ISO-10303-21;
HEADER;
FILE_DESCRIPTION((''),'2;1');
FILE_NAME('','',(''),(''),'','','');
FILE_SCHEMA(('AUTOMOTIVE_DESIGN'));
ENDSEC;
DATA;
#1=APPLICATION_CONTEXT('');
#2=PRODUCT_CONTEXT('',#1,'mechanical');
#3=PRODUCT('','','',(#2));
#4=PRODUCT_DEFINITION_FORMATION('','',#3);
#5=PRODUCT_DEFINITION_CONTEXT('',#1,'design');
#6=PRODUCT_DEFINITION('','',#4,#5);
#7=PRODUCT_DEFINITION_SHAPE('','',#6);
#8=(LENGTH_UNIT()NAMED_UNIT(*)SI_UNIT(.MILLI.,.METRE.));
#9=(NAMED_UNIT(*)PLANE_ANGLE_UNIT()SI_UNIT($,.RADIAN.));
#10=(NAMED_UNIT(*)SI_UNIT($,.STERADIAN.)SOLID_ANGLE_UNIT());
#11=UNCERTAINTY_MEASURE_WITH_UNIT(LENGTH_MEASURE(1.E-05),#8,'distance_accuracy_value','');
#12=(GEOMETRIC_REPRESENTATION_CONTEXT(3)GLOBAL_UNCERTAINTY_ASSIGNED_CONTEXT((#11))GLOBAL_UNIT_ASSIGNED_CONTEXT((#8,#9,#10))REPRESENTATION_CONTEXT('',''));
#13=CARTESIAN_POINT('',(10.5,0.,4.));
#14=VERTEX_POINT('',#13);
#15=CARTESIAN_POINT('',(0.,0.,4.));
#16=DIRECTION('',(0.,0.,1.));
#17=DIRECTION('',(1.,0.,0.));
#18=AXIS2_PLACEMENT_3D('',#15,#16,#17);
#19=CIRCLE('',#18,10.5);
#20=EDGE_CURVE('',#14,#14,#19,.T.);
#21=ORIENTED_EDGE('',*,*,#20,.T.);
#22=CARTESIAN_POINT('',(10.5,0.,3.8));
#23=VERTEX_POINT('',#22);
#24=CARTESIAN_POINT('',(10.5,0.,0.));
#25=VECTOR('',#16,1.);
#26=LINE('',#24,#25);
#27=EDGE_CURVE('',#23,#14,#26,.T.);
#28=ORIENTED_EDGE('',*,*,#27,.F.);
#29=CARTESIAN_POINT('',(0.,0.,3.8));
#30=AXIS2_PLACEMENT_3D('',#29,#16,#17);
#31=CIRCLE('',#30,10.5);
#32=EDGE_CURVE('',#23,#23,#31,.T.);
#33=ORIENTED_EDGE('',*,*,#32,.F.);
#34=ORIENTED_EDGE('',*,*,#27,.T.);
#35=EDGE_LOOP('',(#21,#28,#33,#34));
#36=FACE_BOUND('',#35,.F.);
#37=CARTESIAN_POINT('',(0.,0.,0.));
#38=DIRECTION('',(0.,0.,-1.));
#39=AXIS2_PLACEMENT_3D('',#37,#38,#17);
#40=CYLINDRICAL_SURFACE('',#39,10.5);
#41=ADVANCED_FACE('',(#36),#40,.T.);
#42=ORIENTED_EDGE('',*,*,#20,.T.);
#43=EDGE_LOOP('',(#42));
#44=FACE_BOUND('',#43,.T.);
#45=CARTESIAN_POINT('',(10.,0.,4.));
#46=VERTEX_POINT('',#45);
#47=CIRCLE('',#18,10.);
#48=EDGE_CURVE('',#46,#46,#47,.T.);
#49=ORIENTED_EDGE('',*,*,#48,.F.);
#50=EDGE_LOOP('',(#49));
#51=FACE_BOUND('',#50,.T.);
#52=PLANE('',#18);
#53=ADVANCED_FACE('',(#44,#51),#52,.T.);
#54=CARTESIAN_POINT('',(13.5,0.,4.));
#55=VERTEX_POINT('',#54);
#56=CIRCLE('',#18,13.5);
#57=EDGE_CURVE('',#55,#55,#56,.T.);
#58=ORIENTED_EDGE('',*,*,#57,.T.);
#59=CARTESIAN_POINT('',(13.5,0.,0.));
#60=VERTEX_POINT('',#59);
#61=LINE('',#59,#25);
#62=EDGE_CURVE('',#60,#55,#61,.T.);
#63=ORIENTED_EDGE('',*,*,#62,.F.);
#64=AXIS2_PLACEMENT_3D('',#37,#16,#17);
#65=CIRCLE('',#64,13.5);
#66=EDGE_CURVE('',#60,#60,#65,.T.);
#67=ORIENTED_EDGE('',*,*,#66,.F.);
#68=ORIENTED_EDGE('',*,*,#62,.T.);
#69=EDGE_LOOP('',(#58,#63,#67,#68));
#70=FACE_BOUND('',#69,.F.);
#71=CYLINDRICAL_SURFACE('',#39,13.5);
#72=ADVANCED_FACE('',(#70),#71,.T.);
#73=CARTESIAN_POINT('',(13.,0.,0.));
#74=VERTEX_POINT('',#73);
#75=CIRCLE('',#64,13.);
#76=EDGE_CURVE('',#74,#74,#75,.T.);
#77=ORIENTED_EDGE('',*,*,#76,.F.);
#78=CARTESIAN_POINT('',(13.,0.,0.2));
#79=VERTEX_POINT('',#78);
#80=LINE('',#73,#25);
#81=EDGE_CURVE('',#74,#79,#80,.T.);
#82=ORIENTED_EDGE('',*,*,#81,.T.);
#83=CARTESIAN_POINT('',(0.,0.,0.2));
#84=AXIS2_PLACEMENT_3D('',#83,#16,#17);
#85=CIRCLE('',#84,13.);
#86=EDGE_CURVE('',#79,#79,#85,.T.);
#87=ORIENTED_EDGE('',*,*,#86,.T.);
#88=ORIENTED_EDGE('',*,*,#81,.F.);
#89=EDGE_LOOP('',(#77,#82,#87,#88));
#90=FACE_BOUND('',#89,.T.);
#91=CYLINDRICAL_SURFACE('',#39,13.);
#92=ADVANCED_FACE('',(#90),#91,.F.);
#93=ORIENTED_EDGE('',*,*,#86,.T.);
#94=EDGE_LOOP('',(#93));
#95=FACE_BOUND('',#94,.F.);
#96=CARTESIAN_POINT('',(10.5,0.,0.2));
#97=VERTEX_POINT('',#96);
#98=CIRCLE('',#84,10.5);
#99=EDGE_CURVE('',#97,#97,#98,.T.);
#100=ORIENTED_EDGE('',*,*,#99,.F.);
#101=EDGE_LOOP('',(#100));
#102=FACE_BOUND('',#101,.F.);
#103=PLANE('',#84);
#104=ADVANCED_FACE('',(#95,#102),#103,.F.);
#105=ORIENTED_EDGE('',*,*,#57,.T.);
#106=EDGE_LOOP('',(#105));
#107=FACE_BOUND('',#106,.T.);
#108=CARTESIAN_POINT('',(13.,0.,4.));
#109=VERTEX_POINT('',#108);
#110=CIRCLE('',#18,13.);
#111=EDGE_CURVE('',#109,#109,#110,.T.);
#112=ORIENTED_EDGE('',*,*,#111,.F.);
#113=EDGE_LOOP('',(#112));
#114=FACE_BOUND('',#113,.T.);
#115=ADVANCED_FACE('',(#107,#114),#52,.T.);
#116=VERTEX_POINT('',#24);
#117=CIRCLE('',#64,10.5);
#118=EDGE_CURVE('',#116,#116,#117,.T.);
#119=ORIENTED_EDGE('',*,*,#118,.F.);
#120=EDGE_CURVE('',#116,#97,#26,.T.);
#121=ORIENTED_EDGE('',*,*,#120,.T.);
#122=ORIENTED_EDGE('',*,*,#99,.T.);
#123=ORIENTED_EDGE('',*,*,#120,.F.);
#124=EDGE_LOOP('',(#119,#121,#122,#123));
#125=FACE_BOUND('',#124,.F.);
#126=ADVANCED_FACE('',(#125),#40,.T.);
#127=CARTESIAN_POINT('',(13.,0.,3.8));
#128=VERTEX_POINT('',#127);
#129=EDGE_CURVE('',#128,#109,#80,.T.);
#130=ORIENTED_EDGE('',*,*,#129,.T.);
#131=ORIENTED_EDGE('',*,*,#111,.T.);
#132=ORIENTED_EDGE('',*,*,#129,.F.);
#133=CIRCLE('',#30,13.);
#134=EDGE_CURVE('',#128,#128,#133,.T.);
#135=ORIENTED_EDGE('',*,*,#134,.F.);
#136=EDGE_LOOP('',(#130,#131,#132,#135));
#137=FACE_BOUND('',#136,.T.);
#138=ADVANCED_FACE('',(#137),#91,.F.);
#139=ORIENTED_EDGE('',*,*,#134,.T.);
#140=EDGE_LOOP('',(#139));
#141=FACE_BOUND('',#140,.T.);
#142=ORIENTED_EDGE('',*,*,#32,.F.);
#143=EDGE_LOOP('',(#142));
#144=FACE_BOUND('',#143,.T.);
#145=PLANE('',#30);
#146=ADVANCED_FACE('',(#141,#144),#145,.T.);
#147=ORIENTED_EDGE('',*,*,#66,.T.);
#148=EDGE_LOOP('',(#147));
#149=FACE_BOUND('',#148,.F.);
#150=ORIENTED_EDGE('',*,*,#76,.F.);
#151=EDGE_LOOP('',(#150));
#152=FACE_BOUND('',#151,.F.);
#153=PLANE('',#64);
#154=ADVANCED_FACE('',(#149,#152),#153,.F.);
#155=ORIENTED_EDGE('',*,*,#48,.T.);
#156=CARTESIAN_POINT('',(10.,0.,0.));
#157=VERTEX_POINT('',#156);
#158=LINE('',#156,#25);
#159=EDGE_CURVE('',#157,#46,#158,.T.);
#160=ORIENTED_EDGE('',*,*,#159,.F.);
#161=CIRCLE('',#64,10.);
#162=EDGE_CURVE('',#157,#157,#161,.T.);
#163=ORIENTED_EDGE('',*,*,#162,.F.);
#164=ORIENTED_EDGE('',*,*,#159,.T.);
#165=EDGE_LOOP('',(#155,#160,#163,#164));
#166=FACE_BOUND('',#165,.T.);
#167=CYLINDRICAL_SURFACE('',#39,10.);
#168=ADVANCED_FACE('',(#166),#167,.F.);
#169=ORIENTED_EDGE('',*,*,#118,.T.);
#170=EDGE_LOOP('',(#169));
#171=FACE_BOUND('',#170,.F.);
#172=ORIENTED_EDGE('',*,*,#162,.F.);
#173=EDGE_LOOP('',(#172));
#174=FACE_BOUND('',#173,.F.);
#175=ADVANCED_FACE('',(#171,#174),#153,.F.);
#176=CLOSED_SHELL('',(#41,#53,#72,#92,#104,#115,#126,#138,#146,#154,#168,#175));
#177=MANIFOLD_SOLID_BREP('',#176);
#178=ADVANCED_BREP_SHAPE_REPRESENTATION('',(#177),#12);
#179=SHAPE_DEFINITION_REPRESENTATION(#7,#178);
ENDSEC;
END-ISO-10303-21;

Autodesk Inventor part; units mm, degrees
ref_plane "YZ Plane" through (0, 0, 0) normal (1, 0, 0) x (0, 1, 0)
ref_plane "XZ Plane" through (0, 0, 0) normal (0, 1, 0) x (-1, 0, 0)
sketch "Sketch1" plane through (0, 0, 0) normal (0, 0, 1) x (1, 0, 0)
  circle A0 centre (0, 0) radius 13.5
  circle A1 centre (0, 0) radius 10
  circle A2 centre (0, 0) radius 10.5
  circle A3 centre (0, 0) radius 13
  dimension "d0" = 27
  dimension "d1" = 20
  dimension "d2" = 0.5
  dimension "d3" = 0.5
extrude "Extrusion1" add sketch "Sketch1" along normal blind 4
ref_plane "Work Plane1" through (0, 0, 0.2) normal (0, 0, 1) x (1, 0, 0)
sketch "Sketch2" plane through (0, 0, 0.2) normal (0, 0, 1) x (1, 0, 0)
  circle A0 centre (0, 0) radius 13 projected
  circle A1 centre (0, 0) radius 13.5 projected
  circle A2 centre (0, 0) radius 10 projected
  circle A3 centre (0, 0) radius 10.5 projected
extrude "Extrusion2" add sketch "Sketch2" along normal blind 3.6 contours A0
properties part number "27x20x4 bearing"
